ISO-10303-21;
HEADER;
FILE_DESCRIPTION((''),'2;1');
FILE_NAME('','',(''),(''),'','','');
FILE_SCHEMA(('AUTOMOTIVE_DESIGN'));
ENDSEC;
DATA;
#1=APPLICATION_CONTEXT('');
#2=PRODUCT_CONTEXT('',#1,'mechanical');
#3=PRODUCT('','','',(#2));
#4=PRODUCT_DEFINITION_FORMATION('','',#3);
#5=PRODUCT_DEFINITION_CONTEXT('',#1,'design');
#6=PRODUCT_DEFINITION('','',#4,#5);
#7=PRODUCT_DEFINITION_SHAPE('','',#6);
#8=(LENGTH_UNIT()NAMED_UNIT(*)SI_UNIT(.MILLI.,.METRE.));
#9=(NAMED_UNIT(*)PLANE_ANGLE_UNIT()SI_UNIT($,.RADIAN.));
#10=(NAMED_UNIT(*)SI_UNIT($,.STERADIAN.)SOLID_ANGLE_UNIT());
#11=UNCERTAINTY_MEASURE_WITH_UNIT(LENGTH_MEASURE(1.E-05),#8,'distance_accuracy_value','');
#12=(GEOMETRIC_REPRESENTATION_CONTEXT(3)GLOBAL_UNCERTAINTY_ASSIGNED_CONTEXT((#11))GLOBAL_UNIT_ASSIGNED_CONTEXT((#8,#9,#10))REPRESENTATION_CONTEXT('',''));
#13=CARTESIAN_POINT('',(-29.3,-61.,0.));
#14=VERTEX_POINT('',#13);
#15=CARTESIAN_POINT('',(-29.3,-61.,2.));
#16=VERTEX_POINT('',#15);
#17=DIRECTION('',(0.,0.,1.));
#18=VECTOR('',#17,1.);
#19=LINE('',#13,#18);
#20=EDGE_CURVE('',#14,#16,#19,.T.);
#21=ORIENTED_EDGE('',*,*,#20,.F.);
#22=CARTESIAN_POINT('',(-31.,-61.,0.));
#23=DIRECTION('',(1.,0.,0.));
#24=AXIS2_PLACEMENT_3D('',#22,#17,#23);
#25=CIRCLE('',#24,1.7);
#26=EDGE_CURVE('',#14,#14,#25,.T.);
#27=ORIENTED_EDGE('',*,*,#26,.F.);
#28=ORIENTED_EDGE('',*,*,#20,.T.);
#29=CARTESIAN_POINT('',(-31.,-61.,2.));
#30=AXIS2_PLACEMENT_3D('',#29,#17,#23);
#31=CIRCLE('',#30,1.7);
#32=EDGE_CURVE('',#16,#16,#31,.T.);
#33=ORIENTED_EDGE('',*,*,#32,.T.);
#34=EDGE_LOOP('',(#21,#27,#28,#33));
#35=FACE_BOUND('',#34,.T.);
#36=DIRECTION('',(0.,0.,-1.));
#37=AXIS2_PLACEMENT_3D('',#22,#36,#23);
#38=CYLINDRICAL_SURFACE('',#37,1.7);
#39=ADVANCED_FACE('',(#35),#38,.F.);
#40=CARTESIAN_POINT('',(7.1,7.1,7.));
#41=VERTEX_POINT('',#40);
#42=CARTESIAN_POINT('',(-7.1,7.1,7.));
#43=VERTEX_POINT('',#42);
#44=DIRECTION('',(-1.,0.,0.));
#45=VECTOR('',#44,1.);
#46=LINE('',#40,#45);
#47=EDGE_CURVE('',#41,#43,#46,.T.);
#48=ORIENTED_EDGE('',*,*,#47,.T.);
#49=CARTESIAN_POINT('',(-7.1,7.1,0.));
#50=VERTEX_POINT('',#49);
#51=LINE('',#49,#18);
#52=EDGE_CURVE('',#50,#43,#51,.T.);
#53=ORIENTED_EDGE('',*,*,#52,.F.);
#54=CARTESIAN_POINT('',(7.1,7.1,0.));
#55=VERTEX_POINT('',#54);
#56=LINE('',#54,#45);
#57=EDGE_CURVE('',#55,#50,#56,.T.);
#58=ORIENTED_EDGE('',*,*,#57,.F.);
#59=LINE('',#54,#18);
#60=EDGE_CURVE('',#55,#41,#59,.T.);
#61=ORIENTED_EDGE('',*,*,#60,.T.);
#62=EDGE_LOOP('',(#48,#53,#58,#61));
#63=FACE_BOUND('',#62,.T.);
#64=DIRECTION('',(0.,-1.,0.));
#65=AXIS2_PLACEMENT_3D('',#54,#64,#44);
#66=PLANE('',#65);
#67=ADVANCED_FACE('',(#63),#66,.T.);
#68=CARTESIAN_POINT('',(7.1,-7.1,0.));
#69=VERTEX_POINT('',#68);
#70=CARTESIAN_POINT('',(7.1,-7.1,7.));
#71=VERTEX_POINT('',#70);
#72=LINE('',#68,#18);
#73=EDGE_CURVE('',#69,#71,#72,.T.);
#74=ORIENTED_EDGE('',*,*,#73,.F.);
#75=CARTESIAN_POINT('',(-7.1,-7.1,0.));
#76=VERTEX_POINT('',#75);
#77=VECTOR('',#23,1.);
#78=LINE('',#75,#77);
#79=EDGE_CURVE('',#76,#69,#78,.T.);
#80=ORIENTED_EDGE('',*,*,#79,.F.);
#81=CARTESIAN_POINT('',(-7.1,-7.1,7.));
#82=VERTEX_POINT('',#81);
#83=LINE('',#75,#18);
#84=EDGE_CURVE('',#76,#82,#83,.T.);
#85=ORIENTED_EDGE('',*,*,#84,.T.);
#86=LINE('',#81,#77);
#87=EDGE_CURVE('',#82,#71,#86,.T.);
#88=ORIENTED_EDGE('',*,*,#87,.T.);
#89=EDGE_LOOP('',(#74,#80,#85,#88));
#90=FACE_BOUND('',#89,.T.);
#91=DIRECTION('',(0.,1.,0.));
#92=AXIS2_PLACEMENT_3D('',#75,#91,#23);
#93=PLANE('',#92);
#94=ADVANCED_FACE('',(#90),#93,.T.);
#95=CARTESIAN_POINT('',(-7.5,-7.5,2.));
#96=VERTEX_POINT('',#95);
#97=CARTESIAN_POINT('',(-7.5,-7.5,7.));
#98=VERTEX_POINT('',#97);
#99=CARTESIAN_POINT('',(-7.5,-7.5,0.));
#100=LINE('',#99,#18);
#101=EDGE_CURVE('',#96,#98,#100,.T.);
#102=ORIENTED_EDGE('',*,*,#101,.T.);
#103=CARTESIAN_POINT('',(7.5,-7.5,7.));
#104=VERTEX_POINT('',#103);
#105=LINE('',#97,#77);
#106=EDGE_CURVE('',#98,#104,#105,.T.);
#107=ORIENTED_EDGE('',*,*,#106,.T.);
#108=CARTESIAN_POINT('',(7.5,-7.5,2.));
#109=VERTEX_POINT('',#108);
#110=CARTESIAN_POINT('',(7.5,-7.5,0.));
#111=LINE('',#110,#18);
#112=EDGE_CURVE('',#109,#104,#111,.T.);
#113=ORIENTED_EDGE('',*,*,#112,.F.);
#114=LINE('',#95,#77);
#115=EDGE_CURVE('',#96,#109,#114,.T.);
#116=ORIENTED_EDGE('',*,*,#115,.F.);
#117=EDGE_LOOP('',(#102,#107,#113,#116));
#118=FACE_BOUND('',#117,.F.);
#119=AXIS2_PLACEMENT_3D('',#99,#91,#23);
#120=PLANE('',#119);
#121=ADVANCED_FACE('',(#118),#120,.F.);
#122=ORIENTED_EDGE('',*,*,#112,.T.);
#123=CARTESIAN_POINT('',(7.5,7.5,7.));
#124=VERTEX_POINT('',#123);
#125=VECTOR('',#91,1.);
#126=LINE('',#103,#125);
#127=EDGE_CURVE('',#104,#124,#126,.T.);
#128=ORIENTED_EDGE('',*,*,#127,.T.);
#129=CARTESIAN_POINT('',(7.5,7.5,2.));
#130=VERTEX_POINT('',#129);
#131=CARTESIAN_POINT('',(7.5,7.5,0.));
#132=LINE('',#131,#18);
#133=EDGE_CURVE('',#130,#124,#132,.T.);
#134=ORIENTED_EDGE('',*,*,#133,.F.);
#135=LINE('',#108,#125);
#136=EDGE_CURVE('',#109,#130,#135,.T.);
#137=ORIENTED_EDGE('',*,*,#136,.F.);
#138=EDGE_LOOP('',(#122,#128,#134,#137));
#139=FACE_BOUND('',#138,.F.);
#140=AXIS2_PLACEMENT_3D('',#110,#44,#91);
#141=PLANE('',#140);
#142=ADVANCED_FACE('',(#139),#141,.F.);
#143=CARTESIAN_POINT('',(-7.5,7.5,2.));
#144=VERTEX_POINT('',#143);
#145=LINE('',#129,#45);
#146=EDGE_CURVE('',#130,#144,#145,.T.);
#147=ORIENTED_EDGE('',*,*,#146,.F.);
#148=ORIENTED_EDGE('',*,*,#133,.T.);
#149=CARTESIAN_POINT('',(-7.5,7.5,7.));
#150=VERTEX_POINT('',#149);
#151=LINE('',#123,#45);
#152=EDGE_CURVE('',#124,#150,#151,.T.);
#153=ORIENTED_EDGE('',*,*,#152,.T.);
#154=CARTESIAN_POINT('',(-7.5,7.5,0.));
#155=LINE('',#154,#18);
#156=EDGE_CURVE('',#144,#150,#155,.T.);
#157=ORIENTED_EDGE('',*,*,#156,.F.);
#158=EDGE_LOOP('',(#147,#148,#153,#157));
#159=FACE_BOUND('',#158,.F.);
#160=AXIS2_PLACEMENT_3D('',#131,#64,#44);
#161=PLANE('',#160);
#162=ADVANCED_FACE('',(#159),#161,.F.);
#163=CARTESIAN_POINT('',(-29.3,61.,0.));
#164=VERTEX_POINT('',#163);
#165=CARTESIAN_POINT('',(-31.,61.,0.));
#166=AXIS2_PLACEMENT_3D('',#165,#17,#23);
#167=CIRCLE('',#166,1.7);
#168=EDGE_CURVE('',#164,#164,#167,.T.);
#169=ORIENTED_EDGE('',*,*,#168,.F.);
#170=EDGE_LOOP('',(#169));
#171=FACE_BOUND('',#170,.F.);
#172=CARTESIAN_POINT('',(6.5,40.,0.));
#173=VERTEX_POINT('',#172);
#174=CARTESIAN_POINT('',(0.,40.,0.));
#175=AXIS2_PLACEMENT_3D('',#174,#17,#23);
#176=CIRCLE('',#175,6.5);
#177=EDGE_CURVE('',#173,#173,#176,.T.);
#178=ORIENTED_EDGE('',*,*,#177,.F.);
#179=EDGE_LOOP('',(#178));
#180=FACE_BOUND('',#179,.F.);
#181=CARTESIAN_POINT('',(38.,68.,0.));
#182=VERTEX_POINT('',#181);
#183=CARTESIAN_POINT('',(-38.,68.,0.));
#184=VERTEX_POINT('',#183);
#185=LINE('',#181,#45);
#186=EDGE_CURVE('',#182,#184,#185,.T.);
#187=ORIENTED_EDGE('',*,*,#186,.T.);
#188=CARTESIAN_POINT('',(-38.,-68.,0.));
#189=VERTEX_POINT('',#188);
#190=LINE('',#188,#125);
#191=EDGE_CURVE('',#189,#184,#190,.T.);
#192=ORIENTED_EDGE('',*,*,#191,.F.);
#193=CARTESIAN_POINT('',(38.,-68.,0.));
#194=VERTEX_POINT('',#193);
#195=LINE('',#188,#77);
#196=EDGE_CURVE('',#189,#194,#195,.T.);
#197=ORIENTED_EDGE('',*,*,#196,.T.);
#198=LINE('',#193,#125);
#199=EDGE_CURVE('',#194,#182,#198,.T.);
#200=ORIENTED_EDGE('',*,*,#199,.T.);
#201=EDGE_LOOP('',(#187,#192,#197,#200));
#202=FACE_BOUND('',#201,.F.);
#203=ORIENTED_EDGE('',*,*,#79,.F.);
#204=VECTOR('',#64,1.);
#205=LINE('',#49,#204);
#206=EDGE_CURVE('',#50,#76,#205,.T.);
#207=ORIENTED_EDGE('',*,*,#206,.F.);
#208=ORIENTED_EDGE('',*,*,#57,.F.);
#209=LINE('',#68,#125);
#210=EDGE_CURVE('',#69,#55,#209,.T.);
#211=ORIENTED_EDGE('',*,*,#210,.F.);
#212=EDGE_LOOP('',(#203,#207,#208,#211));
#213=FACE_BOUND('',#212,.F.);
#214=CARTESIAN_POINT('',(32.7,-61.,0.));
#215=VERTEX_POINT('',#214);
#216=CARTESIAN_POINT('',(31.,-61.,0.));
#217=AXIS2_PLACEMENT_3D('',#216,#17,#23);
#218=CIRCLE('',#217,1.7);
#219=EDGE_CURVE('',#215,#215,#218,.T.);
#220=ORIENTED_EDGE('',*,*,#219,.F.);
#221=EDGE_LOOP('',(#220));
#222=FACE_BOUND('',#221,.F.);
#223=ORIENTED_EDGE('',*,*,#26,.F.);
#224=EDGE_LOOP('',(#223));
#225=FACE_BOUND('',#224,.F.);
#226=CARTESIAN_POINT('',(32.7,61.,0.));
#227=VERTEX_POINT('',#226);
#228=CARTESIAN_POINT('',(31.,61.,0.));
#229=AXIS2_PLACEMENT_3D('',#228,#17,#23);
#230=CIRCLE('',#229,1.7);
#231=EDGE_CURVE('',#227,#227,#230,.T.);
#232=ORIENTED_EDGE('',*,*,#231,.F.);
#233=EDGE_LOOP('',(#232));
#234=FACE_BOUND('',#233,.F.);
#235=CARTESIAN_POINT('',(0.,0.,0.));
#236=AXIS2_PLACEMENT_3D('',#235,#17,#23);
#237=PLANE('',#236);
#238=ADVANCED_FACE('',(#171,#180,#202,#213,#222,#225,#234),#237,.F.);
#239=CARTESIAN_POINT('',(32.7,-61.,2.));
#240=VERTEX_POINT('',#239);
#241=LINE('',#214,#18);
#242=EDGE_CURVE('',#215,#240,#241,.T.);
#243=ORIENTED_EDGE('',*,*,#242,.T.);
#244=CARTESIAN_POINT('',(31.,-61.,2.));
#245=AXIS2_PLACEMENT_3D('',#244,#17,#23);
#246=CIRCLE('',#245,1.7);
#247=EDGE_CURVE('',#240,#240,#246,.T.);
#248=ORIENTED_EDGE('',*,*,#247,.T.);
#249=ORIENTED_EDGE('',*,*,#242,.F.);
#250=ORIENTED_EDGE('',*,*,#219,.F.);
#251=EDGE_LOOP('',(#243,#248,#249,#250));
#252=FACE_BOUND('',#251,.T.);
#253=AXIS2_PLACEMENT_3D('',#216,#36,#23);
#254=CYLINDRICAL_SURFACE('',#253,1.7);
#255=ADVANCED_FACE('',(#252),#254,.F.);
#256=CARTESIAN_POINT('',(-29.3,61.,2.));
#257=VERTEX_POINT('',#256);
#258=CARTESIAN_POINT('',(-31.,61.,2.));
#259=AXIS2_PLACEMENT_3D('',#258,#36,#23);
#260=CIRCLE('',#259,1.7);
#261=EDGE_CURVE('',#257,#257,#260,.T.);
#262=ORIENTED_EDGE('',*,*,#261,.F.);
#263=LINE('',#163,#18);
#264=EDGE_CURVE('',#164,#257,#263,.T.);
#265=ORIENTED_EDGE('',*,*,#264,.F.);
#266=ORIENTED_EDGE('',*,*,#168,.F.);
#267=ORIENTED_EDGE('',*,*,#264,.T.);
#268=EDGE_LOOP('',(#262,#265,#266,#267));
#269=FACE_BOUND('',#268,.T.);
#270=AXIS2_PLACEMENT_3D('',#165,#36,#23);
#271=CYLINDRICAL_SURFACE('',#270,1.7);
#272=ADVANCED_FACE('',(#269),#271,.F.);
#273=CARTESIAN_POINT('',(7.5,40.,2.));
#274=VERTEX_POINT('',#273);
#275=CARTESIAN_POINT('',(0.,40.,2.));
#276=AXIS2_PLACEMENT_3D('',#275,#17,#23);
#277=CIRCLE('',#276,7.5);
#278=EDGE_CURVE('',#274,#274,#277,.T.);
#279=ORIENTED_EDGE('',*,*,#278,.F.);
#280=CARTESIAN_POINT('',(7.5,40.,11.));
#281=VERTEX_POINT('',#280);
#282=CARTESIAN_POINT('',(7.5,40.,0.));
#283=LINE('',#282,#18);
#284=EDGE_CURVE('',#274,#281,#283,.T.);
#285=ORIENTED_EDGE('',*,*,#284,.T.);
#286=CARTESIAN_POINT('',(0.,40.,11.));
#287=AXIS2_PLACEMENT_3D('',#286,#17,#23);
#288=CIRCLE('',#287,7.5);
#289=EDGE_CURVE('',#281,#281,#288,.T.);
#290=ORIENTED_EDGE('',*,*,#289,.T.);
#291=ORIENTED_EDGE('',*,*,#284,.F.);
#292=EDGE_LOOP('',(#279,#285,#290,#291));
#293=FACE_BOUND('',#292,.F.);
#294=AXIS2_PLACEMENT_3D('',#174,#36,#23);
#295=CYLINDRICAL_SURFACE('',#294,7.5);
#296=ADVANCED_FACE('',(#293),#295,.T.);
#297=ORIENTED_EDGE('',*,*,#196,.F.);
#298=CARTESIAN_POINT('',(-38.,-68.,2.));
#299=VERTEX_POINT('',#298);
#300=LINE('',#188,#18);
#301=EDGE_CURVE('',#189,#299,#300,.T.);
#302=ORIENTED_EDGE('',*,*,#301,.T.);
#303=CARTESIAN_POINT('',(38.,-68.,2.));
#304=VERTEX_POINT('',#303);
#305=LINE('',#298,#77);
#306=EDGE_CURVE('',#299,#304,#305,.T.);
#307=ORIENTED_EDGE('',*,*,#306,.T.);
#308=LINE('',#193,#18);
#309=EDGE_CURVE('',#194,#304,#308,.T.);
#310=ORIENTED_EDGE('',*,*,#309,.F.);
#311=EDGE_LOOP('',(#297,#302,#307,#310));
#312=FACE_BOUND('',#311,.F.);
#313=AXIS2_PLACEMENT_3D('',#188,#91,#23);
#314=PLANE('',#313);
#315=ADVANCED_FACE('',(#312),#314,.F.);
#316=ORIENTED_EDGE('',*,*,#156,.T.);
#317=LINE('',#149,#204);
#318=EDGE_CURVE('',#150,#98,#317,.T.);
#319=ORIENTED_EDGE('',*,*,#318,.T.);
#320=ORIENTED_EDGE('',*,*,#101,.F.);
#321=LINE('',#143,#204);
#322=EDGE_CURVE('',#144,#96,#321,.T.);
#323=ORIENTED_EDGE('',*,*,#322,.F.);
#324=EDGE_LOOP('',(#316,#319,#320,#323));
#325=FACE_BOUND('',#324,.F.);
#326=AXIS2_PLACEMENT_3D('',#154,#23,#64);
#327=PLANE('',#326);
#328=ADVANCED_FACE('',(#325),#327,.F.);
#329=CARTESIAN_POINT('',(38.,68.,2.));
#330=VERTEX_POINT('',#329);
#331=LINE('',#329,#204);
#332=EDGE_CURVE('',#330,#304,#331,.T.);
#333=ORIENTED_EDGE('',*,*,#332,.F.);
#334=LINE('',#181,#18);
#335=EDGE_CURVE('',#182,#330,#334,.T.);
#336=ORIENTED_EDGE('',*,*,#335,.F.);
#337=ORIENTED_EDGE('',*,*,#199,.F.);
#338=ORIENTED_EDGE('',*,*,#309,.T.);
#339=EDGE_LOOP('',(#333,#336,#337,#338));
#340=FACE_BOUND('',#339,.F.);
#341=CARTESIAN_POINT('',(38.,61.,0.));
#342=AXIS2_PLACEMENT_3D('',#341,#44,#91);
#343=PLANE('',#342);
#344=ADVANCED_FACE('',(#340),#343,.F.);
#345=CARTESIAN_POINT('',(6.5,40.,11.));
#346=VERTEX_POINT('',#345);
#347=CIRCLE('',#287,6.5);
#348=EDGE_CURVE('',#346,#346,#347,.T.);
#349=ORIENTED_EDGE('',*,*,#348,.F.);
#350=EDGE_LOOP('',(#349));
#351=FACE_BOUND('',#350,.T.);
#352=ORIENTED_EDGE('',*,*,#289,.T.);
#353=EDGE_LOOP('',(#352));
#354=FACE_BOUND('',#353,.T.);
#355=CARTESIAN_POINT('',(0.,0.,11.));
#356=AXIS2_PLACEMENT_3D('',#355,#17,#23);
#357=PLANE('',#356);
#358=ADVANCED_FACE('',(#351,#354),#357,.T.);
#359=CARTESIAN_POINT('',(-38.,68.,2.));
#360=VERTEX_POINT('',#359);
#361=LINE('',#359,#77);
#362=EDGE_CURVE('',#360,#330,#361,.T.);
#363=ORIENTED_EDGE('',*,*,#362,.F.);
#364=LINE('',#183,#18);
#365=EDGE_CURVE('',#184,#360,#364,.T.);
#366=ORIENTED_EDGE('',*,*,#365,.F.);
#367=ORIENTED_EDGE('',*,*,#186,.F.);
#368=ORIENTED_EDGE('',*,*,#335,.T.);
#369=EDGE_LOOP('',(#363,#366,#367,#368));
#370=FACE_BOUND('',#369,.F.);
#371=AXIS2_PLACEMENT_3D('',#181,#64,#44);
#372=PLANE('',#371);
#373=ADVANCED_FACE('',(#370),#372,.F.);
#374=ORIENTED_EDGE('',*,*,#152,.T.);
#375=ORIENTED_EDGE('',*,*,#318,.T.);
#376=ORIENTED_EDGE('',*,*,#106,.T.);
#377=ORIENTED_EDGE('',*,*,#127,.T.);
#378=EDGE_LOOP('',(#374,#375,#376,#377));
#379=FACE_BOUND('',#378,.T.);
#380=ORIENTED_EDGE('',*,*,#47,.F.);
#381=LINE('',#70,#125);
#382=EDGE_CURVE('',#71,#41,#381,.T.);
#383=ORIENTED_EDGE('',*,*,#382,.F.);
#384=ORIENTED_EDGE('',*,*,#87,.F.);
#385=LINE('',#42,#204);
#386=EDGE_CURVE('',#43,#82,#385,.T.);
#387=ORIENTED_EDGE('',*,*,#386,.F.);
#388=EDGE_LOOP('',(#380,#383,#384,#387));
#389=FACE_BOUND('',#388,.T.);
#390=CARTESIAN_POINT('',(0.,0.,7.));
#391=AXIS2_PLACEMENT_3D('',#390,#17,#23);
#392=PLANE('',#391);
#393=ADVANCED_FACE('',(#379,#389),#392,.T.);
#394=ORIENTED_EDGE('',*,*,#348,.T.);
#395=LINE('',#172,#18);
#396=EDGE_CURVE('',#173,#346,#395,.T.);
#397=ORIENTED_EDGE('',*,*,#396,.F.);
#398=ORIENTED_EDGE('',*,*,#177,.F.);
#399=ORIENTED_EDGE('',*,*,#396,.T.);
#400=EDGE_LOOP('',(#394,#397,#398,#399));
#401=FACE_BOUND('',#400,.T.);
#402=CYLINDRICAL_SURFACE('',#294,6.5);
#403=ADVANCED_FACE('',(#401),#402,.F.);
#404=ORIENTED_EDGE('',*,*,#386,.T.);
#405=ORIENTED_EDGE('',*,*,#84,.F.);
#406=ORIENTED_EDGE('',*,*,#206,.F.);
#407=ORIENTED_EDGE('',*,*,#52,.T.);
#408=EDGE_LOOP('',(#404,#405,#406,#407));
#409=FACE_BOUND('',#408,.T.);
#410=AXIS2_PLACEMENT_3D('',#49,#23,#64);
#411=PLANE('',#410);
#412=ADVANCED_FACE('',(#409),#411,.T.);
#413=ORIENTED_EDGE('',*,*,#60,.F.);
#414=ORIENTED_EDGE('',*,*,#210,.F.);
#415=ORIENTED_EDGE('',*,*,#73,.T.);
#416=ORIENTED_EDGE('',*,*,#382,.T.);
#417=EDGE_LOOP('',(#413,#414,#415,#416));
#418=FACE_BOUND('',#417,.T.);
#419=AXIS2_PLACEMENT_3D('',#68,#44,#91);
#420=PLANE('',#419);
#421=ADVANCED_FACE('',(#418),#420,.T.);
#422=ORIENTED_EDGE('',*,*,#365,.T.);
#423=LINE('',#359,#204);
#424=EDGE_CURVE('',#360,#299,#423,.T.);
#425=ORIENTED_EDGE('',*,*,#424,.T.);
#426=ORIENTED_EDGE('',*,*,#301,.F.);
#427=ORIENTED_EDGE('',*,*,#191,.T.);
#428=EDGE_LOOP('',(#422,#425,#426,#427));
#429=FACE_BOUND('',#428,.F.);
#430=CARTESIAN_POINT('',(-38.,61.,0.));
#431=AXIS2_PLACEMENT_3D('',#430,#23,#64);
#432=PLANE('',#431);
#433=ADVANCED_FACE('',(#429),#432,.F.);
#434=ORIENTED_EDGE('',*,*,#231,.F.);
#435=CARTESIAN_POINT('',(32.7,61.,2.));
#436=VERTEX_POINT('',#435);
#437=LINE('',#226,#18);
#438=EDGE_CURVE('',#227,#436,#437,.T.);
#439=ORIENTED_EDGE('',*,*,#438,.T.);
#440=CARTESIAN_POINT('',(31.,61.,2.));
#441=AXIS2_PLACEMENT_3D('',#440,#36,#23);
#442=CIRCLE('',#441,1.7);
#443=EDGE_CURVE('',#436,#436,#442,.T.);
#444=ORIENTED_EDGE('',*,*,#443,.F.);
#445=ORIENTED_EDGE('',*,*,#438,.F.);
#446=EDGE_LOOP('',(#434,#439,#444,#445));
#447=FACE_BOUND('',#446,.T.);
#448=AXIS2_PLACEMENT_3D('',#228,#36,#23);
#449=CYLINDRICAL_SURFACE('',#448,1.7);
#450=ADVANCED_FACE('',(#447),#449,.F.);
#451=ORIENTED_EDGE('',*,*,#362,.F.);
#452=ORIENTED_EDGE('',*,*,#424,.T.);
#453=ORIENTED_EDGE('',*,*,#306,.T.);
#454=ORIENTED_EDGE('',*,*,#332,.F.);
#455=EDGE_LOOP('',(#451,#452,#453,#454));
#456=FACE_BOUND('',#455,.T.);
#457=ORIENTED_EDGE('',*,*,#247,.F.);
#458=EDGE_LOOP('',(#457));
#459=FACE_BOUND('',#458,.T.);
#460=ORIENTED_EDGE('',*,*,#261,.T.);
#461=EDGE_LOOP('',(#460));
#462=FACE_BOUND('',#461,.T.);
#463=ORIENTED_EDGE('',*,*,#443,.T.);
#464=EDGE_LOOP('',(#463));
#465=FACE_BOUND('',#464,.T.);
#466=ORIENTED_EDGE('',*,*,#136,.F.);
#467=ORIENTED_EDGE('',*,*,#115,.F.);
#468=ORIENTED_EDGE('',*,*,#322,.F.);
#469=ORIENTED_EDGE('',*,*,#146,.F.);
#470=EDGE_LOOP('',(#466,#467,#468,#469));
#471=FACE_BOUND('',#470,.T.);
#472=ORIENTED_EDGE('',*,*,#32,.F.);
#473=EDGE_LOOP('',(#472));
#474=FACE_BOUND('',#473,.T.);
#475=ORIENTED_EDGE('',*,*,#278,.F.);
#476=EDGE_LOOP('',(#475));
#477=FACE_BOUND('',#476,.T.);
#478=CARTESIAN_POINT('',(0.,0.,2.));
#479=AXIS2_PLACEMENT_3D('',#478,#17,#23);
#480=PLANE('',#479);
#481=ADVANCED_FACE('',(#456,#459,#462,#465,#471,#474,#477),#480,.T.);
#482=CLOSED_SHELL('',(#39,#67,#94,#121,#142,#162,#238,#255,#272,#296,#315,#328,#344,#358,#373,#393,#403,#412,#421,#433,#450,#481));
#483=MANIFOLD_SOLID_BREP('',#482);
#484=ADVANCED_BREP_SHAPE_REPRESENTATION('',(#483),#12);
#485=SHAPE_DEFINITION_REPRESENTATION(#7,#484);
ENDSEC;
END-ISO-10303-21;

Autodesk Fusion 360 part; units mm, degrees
sketch "Sketch1" plane through (0, 0, 0) normal (0, 0, 1) x (1, 0, 0)
  line L0 (38, 68) -> (-38, 68)
  line L1 (-38, 68) -> (-38, -68)
  line L2 (-38, -68) -> (38, -68)
  line L3 (38, -68) -> (38, 68)
  line L4 (38, 68) -> (-38, -68) construction
  line L5 (-38, 68) -> (38, -68) construction
  line L6 (7.1, 7.1) -> (-7.1, 7.1)
  line L7 (-7.1, 7.1) -> (-7.1, -7.1)
  line L8 (-7.1, -7.1) -> (7.1, -7.1)
  line L9 (7.1, -7.1) -> (7.1, 7.1)
  line L10 (7.1, 7.1) -> (-7.1, -7.1) construction
  line L11 (-7.1, 7.1) -> (7.1, -7.1) construction
  circle A0 centre (0, 40) radius 6.5
  circle A1 centre (0, 40) radius 7.5
  line L12 (-38, 68) -> (-31, 68)
  line L13 (-31, 68) -> (-31, 61)
  line L14 (-31, 61) -> (-38, 61)
  line L15 (-38, 61) -> (-38, 68)
  circle A2 centre (-31, 61) radius 1.7
  line L16 (38, 68) -> (31, 68)
  line L17 (31, 68) -> (31, 61)
  line L18 (31, 61) -> (38, 61)
  line L19 (38, 61) -> (38, 68)
  circle A3 centre (31, 61) radius 1.7
  circle A4 centre (-31, -61) radius 1.7
  circle A5 centre (31, -61) radius 1.7
  line L20 (7.5, 7.5) -> (-7.5, 7.5)
  line L21 (-7.5, 7.5) -> (-7.5, -7.5)
  line L22 (-7.5, -7.5) -> (7.5, -7.5)
  line L23 (7.5, -7.5) -> (7.5, 7.5)
  line L24 (7.5, 7.5) -> (-7.5, -7.5) construction
  line L25 (-7.5, 7.5) -> (7.5, -7.5) construction
  dimension "d1" = 76
  dimension "d2" = 136
  dimension "d3" = 14.2
  dimension "d4" = 14.2
  dimension "d5" = 13
  dimension "d6" = 1
  dimension "d7" = 7
  dimension "d8" = 7
  dimension "d9" = 3.4
  dimension "d10" = 7
  dimension "d11" = 7
  dimension "d14" = 62
  dimension "d15" = -122
  dimension "d16" = 15
  dimension "d17" = 15
extrude "Extrude1" add sketch "Sketch1" along normal blind 2 contours L0 L3 L16 L17 L18 L19 A3 | L0 L1 L2 L3 L13 L14 A2 L17 L18 A3 | L0 L1 L12 L13 L14 L15 A2
extrude "Extrude2" add sketch "Sketch1" along normal blind 11 contours A1
extrude "Extrude3" add sketch "Sketch1" along normal blind 7 contours L20 L21 L22 L23
